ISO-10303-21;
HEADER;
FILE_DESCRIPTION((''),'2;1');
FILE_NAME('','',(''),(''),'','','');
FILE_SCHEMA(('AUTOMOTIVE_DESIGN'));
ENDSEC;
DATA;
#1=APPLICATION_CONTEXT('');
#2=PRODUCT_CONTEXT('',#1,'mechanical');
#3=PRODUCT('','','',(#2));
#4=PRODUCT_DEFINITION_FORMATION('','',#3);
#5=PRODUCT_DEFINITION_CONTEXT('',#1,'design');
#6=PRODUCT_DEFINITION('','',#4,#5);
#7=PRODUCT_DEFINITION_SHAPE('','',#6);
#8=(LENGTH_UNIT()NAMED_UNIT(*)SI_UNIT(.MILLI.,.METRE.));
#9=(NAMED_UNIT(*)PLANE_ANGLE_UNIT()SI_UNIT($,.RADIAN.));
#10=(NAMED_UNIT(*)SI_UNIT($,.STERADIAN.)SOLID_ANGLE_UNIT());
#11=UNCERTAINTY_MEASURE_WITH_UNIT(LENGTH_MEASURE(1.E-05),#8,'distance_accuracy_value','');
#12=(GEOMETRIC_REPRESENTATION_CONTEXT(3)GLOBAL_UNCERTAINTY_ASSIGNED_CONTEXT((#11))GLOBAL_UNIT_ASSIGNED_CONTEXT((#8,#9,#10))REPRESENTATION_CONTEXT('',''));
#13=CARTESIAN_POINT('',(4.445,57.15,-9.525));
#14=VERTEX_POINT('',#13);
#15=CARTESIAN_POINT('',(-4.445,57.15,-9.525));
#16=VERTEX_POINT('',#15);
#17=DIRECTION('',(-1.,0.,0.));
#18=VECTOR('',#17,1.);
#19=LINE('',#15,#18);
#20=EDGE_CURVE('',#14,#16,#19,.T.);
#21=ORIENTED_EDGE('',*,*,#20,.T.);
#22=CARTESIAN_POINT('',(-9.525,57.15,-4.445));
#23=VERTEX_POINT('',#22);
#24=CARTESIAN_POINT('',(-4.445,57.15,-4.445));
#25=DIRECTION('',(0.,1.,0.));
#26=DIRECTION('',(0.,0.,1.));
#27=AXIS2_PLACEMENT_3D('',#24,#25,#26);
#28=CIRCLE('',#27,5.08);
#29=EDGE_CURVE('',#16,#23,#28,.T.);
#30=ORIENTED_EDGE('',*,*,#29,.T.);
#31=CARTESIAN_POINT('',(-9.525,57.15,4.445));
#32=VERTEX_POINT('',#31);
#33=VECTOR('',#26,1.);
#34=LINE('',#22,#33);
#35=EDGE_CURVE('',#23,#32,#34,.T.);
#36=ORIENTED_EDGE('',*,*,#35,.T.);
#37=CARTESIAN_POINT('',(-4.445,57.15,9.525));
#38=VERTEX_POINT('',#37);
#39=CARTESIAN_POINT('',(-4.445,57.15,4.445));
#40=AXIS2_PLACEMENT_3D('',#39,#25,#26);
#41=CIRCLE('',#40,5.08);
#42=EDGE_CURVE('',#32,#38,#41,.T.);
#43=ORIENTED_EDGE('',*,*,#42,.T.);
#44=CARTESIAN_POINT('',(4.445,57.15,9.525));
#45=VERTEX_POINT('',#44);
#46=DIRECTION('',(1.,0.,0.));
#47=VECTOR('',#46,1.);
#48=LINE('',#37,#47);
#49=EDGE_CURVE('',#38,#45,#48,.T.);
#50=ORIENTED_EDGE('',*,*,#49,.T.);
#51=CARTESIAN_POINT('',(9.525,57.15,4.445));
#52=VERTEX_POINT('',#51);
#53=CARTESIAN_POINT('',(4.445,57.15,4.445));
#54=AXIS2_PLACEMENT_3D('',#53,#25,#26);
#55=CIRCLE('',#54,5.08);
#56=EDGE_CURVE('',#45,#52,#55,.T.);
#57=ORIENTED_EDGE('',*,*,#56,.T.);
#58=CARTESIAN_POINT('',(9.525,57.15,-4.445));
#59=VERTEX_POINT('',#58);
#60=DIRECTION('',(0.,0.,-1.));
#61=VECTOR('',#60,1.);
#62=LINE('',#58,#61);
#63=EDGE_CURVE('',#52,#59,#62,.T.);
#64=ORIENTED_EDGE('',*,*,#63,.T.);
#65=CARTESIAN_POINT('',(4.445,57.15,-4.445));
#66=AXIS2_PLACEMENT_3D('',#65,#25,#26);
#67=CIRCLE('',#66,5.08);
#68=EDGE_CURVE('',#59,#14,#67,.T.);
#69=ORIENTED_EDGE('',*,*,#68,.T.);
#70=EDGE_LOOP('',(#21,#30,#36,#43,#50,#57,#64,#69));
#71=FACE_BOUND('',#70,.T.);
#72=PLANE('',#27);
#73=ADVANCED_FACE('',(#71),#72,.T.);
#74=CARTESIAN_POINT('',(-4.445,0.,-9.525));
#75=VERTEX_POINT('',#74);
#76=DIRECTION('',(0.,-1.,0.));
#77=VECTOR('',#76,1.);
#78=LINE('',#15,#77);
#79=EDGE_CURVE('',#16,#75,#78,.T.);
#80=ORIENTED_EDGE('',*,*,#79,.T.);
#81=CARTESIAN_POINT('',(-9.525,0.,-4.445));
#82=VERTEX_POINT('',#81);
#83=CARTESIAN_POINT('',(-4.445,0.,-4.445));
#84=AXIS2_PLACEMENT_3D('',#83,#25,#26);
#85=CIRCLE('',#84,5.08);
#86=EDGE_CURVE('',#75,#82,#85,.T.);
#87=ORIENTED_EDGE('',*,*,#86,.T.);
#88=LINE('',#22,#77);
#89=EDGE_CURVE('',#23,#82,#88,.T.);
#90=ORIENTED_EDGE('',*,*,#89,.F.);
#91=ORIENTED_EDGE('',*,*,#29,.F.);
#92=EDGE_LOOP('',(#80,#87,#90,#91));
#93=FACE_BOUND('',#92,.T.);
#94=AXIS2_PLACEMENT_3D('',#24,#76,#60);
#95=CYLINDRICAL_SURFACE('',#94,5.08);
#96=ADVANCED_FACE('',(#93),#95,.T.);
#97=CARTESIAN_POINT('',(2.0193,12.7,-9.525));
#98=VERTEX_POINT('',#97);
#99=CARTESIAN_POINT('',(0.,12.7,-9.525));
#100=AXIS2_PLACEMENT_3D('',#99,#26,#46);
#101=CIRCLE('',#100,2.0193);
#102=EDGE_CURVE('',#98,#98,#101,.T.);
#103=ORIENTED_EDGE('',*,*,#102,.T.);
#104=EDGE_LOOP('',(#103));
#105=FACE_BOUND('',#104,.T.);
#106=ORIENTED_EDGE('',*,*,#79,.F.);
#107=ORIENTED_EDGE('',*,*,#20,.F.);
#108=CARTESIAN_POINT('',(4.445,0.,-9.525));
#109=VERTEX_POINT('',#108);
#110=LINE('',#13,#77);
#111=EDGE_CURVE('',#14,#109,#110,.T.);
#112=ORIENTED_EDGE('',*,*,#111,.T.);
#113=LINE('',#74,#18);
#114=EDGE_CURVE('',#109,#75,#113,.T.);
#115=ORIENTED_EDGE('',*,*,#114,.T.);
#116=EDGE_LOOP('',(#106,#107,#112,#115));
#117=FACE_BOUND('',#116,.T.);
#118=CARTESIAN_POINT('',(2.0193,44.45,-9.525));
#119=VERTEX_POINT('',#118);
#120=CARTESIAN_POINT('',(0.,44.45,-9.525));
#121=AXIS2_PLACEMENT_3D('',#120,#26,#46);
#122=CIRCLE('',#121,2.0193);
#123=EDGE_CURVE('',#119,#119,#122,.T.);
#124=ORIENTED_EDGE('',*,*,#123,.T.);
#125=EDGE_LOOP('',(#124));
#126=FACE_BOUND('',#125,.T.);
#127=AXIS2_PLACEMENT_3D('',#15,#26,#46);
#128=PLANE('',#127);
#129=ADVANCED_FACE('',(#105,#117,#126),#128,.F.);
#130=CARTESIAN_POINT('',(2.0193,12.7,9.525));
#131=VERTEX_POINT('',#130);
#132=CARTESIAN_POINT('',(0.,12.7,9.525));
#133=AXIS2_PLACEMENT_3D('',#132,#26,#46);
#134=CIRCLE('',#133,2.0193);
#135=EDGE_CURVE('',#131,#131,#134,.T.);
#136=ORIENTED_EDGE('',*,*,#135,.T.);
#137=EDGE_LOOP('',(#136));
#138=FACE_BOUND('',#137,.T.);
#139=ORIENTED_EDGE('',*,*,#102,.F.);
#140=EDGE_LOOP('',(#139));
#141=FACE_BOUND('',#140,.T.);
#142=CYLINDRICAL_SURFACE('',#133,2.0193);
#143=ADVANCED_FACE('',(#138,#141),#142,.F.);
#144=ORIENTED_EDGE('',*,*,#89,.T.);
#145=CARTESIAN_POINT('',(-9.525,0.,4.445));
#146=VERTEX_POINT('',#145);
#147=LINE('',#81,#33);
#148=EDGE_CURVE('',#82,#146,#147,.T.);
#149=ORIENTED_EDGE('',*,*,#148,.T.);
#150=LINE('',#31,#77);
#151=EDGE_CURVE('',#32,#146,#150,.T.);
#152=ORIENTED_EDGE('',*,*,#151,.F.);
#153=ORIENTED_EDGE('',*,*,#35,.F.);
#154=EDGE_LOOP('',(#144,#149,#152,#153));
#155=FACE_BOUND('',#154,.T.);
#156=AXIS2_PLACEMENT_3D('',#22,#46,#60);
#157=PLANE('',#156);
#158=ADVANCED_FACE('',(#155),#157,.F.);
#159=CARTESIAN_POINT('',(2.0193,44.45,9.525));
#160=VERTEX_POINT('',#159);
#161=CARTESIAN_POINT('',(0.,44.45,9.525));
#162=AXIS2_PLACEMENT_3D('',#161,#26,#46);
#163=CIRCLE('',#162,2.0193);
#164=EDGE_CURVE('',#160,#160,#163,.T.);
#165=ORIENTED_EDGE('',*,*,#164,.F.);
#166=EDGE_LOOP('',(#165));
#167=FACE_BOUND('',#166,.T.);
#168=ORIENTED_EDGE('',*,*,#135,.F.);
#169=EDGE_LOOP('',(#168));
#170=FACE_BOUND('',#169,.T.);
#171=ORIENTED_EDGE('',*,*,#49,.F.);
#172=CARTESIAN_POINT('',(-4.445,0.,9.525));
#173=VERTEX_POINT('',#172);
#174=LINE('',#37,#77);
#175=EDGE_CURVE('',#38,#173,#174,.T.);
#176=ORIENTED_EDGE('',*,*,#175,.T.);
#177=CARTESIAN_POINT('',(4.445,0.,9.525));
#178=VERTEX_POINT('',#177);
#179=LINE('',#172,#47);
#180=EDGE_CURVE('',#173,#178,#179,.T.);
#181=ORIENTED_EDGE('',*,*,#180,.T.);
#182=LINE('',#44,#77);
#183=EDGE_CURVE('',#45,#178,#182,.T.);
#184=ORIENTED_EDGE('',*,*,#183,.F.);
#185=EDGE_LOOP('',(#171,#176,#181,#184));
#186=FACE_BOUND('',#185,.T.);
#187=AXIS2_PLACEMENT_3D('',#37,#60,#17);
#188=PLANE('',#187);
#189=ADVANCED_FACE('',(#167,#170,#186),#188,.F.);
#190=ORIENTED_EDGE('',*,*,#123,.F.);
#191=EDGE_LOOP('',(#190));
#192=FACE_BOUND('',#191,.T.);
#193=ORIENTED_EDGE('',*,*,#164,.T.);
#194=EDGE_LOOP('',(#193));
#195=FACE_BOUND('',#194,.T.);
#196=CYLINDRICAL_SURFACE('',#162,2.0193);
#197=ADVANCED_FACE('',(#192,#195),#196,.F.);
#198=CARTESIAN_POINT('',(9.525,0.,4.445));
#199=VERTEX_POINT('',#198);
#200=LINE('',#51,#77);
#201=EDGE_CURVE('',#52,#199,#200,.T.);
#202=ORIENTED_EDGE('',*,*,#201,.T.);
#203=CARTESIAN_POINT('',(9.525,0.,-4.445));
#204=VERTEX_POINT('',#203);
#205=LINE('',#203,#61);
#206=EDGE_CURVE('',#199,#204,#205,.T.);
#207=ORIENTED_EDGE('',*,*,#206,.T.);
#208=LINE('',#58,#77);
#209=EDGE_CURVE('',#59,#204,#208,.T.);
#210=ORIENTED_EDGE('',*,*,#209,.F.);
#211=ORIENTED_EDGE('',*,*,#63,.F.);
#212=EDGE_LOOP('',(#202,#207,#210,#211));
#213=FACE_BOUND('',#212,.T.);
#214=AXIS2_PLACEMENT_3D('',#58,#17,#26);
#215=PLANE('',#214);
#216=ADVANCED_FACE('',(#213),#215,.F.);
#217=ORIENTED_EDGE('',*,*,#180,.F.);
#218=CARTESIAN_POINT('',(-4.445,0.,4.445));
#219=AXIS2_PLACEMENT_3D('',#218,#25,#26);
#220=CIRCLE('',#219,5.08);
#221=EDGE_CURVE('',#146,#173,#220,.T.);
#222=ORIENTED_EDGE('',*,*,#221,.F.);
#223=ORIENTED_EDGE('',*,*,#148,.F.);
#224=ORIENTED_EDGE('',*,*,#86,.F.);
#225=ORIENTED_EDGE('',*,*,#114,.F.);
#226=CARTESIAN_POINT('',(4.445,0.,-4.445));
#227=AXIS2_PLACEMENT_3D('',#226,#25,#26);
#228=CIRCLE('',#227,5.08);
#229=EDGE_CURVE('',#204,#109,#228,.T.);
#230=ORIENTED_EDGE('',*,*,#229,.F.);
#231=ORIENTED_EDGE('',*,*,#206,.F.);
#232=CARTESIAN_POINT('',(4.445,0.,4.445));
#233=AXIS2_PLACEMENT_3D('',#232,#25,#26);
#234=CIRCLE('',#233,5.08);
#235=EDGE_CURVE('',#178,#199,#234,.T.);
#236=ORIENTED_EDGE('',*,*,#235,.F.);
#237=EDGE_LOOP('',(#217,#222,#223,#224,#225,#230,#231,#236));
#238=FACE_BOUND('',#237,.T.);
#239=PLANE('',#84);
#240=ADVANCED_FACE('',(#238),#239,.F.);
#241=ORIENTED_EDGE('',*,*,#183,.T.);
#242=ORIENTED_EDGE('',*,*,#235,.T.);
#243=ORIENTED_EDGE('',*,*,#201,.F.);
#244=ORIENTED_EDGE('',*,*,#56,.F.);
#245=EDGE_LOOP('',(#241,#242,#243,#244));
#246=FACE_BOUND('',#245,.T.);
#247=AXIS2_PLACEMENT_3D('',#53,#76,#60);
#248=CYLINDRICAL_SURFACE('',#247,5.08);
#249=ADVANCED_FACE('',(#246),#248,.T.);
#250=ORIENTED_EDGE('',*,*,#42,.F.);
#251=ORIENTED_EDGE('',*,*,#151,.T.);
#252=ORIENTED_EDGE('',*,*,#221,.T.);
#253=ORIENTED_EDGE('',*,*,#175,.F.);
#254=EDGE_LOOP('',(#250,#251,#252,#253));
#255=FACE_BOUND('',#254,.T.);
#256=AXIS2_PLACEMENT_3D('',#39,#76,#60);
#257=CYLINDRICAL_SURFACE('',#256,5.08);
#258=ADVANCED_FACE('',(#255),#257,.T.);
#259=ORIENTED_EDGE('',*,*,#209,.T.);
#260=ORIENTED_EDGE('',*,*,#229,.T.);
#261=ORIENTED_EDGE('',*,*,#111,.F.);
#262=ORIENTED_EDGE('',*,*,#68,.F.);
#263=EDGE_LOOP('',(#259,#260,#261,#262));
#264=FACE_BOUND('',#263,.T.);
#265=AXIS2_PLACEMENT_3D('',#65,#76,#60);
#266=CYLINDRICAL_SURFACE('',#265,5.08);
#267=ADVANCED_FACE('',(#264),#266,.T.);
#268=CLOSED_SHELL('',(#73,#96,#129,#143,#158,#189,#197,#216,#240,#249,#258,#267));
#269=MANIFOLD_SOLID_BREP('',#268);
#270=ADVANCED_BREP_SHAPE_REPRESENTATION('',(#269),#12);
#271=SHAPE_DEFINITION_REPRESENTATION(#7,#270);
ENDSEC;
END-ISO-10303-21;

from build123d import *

# Parameters (mm, degrees)
BOSS_EXTRUDE1_DEPTH    = 57.15
F_10_32_TAPPED_HOLE1_D = 4.0386


with BuildPart() as part:
    # Sketch1 → Boss-Extrude1 (new body)
    with BuildSketch(Plane(origin=(0, 0, 0), x_dir=(1, 0, 0), z_dir=(0, 1, 0))):
        with BuildLine():
            Line((-4.445, 9.525), (4.445, 9.525))
            ThreePointArc((4.445, 9.525), (8.037102448, 8.037102448), (9.525, 4.445))
            Line((9.525, 4.445), (9.525, -4.445))
            ThreePointArc((9.525, -4.445), (8.037102448, -8.037102448), (4.445, -9.525))
            Line((4.445, -9.525), (-4.445, -9.525))
            ThreePointArc((-4.445, -9.525), (-8.037102448, -8.037102448), (-9.525, -4.445))
            Line((-9.525, -4.445), (-9.525, 4.445))
            ThreePointArc((-9.525, 4.445), (-8.037102448, 8.037102448), (-4.445, 9.525))
        make_face()
    extrude(amount=BOSS_EXTRUDE1_DEPTH)

    # #10-32 Tapped Hole1 (through all)
    with Locations(Plane.XY.offset(9.525)):
        with Locations((0, 44.45), (0, 12.7)):
            Hole(F_10_32_TAPPED_HOLE1_D / 2)


solid = part.part
